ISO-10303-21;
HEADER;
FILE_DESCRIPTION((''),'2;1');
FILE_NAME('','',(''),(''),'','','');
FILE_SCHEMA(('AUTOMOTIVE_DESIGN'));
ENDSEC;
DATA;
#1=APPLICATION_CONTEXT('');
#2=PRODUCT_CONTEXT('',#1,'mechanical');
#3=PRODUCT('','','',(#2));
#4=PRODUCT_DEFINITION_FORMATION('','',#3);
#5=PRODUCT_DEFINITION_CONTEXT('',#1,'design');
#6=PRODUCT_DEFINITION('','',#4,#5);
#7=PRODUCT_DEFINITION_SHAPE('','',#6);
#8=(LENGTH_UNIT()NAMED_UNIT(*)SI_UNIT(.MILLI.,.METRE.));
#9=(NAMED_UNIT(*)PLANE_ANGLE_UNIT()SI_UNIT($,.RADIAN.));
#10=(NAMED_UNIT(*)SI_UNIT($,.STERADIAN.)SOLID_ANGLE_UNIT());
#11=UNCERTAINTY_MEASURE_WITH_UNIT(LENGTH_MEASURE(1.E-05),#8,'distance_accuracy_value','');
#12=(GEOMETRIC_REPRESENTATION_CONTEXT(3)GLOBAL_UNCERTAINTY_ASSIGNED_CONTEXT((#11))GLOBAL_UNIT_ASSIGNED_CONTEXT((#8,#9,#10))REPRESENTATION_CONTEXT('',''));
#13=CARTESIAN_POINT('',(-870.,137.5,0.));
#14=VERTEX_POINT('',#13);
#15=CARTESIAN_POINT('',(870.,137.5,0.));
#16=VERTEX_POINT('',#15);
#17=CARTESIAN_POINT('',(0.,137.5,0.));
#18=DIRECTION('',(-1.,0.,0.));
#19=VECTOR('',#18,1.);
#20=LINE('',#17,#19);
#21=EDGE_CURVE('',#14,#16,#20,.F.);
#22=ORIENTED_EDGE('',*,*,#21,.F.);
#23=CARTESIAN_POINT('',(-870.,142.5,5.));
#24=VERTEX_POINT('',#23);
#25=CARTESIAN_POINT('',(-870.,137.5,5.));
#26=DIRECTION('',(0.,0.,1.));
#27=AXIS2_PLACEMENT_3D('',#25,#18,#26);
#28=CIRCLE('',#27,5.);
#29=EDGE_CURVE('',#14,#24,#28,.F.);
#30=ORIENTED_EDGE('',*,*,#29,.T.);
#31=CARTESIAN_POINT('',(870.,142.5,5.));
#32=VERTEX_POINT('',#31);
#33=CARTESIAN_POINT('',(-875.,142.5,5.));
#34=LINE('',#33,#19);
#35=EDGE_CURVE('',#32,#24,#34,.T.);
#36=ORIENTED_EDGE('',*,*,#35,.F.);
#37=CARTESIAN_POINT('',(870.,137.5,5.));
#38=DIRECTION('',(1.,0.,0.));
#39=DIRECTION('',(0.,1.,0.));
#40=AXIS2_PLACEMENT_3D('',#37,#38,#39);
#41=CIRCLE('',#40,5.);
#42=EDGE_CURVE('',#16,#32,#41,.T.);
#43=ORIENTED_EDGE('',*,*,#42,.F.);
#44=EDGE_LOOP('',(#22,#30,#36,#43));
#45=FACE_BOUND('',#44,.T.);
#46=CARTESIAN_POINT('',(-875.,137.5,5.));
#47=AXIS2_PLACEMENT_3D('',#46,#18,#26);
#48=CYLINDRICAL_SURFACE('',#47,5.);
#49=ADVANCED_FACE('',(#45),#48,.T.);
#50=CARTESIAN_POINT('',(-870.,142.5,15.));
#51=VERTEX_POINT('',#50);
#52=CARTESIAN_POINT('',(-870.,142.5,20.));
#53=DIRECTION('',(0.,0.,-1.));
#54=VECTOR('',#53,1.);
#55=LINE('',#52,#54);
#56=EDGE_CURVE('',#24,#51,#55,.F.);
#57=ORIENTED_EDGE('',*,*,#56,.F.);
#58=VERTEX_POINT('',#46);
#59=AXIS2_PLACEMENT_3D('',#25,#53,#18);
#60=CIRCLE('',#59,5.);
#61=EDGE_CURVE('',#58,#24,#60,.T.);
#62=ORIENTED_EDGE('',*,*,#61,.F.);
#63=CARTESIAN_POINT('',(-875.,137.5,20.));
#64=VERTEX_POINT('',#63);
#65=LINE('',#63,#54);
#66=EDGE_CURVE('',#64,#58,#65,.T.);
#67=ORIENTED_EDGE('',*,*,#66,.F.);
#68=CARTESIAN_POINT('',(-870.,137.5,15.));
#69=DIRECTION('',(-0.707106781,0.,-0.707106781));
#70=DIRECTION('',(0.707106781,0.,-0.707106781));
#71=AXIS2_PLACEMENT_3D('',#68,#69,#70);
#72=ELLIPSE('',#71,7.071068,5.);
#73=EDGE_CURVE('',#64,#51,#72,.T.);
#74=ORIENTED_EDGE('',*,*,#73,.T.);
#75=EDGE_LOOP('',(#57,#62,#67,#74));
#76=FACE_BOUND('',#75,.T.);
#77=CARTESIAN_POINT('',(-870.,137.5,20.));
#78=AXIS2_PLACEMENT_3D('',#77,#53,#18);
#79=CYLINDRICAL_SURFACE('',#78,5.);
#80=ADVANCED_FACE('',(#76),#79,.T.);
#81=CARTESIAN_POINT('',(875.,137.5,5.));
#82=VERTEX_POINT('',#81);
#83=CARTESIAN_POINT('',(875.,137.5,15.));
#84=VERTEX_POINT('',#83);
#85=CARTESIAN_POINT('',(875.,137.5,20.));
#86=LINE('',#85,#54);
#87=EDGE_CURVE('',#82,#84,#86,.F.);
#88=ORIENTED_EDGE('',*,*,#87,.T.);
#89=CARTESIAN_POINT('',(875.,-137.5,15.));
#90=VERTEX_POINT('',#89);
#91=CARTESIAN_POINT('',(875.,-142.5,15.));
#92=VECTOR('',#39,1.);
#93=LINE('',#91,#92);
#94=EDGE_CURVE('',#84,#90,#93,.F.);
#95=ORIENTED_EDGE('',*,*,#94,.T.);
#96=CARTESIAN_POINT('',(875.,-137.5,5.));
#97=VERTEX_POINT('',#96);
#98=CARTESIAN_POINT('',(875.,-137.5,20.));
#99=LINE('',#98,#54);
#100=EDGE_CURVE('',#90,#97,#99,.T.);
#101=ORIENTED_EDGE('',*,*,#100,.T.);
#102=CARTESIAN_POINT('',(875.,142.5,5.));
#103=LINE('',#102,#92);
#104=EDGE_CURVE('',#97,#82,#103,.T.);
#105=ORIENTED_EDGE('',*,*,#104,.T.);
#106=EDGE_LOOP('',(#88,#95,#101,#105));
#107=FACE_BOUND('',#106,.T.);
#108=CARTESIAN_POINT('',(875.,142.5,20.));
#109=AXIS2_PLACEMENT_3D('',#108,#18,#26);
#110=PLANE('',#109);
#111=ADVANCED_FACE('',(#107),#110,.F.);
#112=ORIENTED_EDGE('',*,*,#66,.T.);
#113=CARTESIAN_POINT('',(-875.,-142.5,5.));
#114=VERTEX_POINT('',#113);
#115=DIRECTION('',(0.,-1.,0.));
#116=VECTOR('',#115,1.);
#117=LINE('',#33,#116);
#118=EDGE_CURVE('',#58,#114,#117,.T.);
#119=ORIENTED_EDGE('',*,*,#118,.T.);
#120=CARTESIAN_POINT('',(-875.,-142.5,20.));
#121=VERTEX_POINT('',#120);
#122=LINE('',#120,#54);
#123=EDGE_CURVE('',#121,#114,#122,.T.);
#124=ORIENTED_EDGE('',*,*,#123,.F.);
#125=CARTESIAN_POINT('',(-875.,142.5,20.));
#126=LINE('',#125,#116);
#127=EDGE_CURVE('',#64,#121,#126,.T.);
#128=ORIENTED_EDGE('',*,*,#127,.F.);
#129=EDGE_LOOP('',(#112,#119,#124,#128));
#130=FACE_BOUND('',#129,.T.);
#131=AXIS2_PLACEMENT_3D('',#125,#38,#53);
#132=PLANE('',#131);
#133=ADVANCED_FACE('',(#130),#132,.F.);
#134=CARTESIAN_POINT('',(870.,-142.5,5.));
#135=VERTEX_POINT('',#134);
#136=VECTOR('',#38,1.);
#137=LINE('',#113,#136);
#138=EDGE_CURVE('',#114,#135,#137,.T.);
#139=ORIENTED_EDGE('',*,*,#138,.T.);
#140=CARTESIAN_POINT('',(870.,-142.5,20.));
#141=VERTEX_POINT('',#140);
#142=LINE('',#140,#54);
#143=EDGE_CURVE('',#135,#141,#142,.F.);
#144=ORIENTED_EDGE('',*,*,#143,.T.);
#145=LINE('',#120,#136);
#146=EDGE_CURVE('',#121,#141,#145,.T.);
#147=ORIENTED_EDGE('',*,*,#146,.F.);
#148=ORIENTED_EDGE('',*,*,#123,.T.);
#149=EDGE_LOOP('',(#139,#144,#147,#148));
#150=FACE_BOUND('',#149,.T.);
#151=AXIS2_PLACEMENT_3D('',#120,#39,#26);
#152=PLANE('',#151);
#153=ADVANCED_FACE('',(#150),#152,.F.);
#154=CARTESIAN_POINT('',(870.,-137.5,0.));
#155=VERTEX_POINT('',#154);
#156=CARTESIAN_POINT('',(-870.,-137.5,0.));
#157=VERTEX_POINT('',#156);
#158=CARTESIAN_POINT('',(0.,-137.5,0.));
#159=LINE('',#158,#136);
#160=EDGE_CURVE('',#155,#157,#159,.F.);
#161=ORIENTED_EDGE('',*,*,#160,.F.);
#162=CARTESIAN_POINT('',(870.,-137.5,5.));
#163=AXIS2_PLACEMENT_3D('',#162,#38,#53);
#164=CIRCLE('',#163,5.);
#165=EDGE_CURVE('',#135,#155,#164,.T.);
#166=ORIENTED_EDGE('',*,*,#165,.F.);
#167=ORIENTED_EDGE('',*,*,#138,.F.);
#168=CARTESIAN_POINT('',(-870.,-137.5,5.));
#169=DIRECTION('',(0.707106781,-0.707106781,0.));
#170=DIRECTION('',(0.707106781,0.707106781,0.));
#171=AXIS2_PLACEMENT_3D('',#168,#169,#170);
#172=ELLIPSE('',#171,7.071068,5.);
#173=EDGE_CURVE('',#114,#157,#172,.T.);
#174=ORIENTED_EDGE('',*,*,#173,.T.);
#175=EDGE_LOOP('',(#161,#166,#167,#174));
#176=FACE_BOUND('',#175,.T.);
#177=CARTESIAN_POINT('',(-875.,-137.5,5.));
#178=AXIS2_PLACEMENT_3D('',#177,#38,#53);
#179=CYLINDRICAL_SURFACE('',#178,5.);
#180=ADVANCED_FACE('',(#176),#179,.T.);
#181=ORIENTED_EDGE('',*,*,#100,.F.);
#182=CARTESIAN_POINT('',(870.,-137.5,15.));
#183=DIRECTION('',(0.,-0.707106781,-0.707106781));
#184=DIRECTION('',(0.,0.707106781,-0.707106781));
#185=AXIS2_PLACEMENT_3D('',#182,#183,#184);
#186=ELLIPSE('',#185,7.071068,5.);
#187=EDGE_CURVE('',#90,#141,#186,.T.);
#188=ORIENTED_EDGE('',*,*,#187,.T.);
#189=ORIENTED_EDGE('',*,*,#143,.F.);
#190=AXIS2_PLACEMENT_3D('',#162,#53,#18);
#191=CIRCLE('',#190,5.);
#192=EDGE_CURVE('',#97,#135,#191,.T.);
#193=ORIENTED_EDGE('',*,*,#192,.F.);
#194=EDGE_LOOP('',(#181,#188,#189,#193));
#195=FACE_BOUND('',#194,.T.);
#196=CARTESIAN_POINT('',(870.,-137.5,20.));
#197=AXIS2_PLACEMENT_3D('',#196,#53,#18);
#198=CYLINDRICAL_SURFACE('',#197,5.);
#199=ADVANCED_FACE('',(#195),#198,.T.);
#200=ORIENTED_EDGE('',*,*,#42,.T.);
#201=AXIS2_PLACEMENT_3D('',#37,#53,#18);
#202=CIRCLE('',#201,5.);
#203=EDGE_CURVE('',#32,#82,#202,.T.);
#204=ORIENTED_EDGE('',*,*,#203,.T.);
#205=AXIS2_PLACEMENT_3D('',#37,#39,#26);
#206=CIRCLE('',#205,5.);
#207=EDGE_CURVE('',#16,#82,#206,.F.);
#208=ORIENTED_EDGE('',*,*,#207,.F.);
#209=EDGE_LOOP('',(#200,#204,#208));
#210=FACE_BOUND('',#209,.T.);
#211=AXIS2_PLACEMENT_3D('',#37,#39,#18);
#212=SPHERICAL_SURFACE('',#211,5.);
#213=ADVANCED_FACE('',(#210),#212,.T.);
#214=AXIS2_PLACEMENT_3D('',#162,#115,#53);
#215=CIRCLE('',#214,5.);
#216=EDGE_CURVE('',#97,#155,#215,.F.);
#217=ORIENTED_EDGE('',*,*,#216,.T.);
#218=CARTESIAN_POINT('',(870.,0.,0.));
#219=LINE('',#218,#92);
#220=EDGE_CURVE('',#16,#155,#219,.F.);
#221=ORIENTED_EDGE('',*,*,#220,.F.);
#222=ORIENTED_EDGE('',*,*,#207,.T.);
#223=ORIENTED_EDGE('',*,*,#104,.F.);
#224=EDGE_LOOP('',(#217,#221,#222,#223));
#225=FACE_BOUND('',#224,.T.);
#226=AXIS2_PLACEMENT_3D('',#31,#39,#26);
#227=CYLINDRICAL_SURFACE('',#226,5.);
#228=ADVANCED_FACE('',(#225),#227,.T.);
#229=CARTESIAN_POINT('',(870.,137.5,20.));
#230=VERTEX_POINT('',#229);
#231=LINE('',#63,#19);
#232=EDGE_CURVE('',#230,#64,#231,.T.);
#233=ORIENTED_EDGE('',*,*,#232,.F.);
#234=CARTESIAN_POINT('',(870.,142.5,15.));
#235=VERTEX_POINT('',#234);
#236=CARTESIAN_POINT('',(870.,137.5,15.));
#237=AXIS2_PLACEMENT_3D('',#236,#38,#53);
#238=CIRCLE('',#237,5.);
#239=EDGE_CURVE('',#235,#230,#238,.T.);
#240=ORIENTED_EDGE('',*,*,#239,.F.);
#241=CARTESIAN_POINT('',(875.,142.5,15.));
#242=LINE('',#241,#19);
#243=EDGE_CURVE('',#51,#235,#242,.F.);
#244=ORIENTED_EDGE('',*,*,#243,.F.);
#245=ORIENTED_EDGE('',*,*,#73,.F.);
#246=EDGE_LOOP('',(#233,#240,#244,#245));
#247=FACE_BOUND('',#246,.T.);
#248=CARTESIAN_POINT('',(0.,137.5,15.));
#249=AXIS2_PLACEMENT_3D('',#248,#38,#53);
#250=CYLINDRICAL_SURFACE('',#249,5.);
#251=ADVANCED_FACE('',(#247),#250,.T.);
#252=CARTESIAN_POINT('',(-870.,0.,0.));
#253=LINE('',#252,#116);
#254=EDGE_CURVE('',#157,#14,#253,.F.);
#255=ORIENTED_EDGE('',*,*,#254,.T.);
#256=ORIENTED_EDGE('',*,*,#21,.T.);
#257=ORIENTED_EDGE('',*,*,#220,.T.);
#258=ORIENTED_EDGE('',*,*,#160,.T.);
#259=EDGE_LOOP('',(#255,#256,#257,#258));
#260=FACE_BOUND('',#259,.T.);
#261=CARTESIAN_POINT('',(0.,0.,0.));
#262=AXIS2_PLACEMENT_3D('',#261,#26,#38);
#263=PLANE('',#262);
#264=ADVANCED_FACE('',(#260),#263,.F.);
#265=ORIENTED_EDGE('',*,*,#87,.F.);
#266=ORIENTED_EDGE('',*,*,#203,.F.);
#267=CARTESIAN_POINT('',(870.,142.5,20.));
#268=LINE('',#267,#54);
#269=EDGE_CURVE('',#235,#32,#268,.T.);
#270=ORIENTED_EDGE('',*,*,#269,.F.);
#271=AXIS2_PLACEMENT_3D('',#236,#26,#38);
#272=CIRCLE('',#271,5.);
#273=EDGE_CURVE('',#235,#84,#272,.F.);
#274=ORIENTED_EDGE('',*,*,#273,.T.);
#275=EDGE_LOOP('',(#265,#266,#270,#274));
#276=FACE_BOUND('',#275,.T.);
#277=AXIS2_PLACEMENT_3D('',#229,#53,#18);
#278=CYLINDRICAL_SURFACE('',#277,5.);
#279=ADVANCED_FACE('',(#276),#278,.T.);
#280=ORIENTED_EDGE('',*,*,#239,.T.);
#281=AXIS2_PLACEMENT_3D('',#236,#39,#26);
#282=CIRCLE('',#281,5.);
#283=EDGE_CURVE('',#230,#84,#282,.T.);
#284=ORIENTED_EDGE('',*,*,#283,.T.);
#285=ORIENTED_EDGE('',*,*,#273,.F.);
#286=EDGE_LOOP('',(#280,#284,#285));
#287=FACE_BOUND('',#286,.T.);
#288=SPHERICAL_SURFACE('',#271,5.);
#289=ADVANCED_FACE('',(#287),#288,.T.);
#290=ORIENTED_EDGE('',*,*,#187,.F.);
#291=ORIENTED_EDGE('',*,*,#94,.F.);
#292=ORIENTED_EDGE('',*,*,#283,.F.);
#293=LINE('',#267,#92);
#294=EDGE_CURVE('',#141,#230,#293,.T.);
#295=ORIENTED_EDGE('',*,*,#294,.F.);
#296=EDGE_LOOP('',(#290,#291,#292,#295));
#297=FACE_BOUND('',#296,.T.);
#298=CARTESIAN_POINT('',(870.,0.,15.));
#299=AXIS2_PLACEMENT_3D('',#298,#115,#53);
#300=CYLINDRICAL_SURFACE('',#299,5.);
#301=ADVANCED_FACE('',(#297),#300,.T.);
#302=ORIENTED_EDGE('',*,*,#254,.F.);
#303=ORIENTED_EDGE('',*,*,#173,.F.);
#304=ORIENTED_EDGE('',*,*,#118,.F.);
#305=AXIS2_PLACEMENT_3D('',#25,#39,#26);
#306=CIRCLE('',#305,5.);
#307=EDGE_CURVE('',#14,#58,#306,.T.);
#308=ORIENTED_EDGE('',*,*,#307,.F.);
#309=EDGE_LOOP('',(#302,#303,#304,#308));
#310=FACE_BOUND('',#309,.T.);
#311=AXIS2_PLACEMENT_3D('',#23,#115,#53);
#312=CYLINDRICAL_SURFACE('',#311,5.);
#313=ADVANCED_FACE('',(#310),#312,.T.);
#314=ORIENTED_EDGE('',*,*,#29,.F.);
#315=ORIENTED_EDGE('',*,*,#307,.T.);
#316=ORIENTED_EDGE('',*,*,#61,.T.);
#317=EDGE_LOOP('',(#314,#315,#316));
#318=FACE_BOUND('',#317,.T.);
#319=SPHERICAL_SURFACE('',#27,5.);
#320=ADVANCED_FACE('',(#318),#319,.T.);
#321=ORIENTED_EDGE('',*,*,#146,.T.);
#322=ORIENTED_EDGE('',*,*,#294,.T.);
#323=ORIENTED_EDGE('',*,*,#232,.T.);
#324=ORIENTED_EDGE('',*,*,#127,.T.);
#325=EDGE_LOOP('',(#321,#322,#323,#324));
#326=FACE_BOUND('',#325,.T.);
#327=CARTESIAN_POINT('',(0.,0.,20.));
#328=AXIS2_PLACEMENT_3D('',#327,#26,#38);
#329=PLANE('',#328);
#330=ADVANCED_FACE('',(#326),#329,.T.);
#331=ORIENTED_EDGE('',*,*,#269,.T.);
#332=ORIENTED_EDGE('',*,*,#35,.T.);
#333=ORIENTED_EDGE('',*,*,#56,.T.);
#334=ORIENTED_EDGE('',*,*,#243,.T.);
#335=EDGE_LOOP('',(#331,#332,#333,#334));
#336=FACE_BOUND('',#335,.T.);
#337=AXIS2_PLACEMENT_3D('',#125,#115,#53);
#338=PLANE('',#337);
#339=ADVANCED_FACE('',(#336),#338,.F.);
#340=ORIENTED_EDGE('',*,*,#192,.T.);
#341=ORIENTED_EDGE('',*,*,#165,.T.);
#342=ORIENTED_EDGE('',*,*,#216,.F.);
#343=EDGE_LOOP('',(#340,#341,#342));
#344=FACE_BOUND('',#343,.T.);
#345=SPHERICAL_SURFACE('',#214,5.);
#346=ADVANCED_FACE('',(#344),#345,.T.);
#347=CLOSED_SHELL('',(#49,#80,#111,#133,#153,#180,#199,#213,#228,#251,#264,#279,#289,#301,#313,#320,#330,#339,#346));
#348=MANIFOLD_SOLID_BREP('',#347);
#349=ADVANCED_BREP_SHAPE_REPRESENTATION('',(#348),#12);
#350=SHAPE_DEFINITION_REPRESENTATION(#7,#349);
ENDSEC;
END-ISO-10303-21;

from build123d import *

# Parameters (mm, degrees)
SKETCH1_W           = 1750
SKETCH1_H           = 285
BOSS_EXTRUDE1_DEPTH = 20
FILLET1_R           = 5


with BuildPart() as part:
    # Sketch1 → Boss-Extrude1 (new body)
    with BuildSketch(Plane.XY):
        Rectangle(SKETCH1_W, SKETCH1_H)
    extrude(amount=BOSS_EXTRUDE1_DEPTH)

    # Fillet1
    fillet1_edges = [part.edges().sort_by_distance(p)[0] for p in [
        (875, 0, 20),
        (0, -142.5, 0),
        (-875, 0, 0),
        (0, 142.5, 0),
        (875, 0, 0),
        (875, -142.5, 10),
        (-875, 142.5, 10),
        (875, 142.5, 10),
        (0, 142.5, 20),
    ]]
    fillet(fillet1_edges, radius=FILLET1_R)


solid = part.part
